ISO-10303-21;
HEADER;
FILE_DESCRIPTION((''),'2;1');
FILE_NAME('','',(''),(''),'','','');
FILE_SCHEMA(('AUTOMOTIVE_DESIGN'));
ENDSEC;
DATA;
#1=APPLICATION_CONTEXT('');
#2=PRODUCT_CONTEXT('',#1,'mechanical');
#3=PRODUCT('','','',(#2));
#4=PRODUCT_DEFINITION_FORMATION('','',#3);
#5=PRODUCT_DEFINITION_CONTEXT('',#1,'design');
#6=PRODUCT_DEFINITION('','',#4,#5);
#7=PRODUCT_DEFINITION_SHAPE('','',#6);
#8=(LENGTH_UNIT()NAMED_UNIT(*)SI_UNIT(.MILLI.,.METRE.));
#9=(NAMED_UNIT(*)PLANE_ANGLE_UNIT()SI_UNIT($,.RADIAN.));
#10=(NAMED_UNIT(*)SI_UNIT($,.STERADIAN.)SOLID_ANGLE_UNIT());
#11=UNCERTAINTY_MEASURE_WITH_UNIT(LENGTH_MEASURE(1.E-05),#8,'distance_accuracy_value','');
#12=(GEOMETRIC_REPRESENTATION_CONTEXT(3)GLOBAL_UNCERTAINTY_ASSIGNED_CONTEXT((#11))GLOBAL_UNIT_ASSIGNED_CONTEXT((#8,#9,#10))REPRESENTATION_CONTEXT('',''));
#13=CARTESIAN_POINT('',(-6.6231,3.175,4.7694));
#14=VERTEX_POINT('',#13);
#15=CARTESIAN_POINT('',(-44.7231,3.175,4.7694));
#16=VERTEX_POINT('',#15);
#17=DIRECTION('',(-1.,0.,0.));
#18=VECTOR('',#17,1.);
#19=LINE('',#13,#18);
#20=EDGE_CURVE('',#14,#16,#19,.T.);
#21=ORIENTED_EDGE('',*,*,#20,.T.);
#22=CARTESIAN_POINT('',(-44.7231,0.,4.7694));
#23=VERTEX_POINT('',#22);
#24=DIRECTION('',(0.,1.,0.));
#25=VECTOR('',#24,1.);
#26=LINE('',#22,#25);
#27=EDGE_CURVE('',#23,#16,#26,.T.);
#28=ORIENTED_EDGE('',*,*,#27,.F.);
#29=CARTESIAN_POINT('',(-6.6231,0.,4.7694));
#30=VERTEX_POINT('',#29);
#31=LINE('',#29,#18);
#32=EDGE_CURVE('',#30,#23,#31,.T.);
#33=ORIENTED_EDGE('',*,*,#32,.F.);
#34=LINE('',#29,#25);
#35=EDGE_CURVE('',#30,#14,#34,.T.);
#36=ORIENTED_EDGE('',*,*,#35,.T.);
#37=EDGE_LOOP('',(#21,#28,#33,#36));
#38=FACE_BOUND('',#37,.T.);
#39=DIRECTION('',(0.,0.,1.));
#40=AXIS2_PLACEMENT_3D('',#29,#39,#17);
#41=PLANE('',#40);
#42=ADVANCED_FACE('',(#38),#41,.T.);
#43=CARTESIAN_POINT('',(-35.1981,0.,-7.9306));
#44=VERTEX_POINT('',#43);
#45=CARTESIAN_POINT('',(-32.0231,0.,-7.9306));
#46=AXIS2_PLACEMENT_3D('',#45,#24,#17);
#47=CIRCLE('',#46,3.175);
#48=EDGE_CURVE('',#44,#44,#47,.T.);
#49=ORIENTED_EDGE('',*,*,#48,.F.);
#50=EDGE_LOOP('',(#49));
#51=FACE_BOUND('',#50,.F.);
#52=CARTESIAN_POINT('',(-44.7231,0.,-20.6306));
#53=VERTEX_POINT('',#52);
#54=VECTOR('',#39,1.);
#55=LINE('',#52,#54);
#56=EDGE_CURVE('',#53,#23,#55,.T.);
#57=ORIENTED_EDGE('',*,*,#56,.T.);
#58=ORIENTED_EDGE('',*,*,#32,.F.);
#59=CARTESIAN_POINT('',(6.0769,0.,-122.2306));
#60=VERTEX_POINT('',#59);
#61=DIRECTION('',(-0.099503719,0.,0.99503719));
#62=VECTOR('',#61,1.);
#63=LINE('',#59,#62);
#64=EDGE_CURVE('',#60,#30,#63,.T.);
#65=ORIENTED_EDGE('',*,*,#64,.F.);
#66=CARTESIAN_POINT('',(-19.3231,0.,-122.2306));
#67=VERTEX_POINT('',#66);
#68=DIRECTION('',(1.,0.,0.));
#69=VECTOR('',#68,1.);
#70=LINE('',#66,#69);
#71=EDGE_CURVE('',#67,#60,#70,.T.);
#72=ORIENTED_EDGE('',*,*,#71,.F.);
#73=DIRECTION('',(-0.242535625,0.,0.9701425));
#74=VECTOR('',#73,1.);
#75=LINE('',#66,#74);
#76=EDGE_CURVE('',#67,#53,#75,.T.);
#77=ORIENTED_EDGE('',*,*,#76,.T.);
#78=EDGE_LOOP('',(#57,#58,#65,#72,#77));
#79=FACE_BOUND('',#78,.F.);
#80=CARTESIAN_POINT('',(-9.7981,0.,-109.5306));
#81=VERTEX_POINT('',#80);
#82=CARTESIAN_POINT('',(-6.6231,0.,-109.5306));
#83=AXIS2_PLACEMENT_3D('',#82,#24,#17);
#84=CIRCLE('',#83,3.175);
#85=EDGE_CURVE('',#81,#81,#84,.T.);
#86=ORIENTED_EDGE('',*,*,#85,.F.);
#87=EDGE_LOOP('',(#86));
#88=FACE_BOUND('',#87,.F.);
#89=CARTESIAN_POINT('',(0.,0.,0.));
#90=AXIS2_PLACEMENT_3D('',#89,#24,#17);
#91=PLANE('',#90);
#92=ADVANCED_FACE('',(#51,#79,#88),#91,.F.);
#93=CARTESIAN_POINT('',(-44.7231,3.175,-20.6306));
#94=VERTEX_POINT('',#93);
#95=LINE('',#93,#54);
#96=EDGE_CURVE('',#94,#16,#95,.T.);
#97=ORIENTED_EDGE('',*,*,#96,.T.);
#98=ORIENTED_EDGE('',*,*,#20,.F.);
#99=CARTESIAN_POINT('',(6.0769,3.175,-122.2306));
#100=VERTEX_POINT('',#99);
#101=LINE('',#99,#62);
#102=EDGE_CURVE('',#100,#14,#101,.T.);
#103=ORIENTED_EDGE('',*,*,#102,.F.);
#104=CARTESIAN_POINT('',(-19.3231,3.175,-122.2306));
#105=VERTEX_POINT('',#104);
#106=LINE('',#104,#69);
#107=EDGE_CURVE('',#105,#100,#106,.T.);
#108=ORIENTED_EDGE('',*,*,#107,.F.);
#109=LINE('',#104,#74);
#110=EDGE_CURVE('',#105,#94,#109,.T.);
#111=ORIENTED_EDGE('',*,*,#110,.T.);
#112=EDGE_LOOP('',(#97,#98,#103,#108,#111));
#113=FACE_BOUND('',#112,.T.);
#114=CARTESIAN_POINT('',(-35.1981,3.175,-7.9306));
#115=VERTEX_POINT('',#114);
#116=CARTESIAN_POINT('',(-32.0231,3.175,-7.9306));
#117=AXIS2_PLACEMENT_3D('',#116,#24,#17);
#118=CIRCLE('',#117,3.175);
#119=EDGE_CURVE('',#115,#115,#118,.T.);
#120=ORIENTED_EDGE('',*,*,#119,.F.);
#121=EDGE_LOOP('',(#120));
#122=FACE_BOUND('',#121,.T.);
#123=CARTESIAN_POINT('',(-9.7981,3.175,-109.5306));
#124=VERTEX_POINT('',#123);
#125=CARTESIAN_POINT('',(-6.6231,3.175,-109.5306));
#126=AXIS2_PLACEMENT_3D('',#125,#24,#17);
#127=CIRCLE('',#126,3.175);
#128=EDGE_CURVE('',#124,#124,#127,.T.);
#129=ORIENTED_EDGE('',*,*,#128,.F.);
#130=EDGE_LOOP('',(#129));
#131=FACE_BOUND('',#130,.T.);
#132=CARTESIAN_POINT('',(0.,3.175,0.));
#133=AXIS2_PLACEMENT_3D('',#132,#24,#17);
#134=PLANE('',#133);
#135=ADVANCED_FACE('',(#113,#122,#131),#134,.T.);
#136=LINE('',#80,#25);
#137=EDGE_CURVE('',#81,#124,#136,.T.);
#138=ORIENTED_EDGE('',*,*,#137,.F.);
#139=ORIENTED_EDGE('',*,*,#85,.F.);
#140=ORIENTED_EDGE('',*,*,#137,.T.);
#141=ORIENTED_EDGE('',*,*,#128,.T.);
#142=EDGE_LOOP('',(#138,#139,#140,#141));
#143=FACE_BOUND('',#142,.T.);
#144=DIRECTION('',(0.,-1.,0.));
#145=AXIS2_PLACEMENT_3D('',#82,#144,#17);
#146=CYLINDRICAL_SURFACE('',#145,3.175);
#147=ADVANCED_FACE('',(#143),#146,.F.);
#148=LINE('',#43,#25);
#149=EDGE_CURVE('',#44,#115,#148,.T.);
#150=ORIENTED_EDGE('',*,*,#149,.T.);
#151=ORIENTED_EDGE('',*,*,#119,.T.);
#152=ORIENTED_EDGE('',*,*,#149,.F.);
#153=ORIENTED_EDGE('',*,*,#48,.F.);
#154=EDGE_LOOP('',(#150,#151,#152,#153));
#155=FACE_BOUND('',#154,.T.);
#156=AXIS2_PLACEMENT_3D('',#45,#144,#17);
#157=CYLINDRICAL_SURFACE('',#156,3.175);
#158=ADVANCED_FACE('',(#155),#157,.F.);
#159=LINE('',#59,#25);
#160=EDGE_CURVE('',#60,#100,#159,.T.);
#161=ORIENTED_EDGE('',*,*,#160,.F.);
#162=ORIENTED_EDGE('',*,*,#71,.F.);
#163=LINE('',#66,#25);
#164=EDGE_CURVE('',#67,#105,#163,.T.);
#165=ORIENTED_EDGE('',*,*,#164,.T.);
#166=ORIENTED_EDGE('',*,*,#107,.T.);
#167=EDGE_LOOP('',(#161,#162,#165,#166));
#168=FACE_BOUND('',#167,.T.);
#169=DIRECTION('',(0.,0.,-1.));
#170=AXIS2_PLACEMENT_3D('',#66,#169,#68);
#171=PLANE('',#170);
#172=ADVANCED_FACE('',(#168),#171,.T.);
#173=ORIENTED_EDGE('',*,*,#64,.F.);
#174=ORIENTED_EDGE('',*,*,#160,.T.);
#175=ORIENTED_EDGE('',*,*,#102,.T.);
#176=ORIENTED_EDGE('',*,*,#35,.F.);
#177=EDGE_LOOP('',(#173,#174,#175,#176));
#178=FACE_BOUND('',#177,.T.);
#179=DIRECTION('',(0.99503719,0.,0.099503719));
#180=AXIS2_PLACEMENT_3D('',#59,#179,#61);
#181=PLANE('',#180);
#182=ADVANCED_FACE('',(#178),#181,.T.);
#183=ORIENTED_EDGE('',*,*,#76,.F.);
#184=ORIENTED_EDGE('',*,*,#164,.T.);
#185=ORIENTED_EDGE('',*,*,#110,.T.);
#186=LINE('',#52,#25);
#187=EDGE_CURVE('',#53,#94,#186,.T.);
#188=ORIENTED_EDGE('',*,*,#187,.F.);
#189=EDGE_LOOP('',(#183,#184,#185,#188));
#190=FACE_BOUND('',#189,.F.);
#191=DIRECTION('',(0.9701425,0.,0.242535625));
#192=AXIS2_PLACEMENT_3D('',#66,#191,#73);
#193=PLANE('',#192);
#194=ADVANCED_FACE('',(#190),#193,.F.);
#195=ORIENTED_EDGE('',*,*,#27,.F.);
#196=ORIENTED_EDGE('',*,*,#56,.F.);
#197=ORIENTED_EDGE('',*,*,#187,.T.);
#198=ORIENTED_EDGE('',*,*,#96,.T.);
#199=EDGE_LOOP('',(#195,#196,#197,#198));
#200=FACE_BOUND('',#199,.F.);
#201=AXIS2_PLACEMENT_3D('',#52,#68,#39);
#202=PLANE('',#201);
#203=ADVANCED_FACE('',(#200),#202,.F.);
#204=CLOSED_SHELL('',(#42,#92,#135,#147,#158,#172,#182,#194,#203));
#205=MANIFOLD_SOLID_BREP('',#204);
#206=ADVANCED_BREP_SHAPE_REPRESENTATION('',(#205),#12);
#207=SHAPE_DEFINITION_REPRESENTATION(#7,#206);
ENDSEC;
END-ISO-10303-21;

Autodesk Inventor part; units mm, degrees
ref_plane "YZ Plane" through (0, 0, 0) normal (1, 0, 0) x (0, 1, 0)
ref_plane "XZ Plane" through (0, 0, 0) normal (0, 1, 0) x (-1, 0, 0)
ref_plane "XY Plane" through (0, 0, 0) normal (0, 0, 1) x (1, 0, 0)
sketch "Sketch1" plane through (0, 0, 0) normal (0, 1, 0) x (-1, 0, 0)
  line L0 (19.3231, -122.2306) -> (-6.0769, -122.2306)
  circle A0 centre (32.0231, -7.9306) radius 3.175
  circle A1 centre (6.6231, -109.5306) radius 3.175
  line L1 (19.3231, -122.2306) -> (44.7231, -20.6306)
  line L2 (44.7231, -20.6306) -> (44.7231, 4.7694)
  line L3 (-6.0769, -122.2306) -> (6.6231, 4.7694)
  line L4 (6.6231, 4.7694) -> (44.7231, 4.7694)
  dimension "d0" = 25.4
  dimension "d2" = 6.35
  dimension "d3" = 6.35
  dimension "d6" = 12.7
  dimension "d10" = 25.4
  dimension "d12" = 12.7
  dimension "d13" = 38.1
  dimension "d14" = 12.7
  dimension "d15" = 12.7
  dimension "d16" = 50.8
  dimension "d17" = 127
extrude "Extrusion1" add sketch "Sketch1" along normal blind 3.175
properties part number "15102898-16-P-0213" material "Aluminum 6061"
